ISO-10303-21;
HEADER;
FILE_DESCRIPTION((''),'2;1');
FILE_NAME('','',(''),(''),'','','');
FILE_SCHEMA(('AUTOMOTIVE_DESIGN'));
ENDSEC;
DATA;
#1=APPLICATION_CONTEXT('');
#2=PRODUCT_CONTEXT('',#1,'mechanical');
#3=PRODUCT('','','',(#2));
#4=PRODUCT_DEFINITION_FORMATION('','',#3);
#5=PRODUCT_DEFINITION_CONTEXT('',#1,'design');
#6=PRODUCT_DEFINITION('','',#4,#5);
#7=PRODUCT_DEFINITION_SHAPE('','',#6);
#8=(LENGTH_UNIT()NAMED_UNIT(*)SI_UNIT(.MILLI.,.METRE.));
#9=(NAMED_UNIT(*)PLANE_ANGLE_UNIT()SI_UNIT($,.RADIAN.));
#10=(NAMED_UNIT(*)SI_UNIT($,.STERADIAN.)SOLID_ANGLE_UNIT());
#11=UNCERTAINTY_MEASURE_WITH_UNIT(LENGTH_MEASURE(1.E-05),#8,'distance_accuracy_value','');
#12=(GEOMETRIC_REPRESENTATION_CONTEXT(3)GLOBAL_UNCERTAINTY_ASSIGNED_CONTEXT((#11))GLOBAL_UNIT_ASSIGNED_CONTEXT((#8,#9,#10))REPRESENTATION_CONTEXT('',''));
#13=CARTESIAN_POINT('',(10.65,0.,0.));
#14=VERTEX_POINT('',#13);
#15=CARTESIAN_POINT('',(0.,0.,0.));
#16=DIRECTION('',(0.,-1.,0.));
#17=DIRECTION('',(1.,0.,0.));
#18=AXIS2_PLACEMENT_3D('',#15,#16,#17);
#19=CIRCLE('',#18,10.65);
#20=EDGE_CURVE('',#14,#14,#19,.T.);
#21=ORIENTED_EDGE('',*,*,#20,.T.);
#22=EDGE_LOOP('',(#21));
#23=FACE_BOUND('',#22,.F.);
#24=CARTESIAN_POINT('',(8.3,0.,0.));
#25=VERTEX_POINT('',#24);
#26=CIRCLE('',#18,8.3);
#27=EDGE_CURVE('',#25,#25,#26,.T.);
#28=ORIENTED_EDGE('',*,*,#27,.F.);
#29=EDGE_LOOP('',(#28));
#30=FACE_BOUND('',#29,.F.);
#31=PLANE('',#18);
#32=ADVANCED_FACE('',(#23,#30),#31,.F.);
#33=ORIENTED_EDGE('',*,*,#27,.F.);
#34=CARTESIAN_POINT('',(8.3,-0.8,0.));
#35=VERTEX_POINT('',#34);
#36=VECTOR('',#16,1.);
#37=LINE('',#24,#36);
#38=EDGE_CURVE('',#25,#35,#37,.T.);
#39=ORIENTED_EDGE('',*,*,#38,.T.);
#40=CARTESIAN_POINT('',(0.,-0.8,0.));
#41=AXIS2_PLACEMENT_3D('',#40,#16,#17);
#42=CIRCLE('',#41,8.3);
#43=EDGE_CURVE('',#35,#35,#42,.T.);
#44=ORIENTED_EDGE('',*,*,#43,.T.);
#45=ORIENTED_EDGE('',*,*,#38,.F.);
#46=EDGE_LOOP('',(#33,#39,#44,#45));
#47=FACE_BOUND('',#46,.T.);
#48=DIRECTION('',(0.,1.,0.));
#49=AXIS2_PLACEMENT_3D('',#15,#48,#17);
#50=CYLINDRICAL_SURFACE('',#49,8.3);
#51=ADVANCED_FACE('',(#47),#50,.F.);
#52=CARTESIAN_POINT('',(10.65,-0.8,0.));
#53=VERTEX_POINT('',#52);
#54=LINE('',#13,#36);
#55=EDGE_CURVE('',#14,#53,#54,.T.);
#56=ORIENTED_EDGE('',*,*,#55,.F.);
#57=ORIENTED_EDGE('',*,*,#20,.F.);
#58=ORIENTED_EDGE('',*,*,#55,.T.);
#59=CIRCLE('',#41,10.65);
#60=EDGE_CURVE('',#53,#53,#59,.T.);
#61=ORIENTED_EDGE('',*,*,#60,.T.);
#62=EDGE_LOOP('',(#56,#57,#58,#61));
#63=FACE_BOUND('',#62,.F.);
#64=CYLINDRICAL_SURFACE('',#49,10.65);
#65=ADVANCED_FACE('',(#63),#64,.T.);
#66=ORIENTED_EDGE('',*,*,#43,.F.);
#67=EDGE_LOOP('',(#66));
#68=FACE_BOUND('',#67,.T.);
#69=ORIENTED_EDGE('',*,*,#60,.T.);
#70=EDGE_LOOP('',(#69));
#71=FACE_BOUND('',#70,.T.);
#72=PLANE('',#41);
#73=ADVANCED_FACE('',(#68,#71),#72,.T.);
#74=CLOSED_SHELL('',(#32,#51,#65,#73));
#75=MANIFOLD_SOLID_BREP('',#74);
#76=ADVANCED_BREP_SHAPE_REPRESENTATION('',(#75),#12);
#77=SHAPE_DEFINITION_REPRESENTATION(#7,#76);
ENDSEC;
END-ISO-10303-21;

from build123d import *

# Parameters (mm, degrees)
F1_R     = 10.65
F1_R_2   = 8.3
F2_DEPTH = 0.8


with BuildPart() as f2:
    # F1 (on face) → F2 (new body)
    with BuildSketch(Plane.XZ):
        Circle(F1_R)
        Circle(F1_R_2, mode=Mode.SUBTRACT)
    extrude(amount=F2_DEPTH)


solid = f2.part
